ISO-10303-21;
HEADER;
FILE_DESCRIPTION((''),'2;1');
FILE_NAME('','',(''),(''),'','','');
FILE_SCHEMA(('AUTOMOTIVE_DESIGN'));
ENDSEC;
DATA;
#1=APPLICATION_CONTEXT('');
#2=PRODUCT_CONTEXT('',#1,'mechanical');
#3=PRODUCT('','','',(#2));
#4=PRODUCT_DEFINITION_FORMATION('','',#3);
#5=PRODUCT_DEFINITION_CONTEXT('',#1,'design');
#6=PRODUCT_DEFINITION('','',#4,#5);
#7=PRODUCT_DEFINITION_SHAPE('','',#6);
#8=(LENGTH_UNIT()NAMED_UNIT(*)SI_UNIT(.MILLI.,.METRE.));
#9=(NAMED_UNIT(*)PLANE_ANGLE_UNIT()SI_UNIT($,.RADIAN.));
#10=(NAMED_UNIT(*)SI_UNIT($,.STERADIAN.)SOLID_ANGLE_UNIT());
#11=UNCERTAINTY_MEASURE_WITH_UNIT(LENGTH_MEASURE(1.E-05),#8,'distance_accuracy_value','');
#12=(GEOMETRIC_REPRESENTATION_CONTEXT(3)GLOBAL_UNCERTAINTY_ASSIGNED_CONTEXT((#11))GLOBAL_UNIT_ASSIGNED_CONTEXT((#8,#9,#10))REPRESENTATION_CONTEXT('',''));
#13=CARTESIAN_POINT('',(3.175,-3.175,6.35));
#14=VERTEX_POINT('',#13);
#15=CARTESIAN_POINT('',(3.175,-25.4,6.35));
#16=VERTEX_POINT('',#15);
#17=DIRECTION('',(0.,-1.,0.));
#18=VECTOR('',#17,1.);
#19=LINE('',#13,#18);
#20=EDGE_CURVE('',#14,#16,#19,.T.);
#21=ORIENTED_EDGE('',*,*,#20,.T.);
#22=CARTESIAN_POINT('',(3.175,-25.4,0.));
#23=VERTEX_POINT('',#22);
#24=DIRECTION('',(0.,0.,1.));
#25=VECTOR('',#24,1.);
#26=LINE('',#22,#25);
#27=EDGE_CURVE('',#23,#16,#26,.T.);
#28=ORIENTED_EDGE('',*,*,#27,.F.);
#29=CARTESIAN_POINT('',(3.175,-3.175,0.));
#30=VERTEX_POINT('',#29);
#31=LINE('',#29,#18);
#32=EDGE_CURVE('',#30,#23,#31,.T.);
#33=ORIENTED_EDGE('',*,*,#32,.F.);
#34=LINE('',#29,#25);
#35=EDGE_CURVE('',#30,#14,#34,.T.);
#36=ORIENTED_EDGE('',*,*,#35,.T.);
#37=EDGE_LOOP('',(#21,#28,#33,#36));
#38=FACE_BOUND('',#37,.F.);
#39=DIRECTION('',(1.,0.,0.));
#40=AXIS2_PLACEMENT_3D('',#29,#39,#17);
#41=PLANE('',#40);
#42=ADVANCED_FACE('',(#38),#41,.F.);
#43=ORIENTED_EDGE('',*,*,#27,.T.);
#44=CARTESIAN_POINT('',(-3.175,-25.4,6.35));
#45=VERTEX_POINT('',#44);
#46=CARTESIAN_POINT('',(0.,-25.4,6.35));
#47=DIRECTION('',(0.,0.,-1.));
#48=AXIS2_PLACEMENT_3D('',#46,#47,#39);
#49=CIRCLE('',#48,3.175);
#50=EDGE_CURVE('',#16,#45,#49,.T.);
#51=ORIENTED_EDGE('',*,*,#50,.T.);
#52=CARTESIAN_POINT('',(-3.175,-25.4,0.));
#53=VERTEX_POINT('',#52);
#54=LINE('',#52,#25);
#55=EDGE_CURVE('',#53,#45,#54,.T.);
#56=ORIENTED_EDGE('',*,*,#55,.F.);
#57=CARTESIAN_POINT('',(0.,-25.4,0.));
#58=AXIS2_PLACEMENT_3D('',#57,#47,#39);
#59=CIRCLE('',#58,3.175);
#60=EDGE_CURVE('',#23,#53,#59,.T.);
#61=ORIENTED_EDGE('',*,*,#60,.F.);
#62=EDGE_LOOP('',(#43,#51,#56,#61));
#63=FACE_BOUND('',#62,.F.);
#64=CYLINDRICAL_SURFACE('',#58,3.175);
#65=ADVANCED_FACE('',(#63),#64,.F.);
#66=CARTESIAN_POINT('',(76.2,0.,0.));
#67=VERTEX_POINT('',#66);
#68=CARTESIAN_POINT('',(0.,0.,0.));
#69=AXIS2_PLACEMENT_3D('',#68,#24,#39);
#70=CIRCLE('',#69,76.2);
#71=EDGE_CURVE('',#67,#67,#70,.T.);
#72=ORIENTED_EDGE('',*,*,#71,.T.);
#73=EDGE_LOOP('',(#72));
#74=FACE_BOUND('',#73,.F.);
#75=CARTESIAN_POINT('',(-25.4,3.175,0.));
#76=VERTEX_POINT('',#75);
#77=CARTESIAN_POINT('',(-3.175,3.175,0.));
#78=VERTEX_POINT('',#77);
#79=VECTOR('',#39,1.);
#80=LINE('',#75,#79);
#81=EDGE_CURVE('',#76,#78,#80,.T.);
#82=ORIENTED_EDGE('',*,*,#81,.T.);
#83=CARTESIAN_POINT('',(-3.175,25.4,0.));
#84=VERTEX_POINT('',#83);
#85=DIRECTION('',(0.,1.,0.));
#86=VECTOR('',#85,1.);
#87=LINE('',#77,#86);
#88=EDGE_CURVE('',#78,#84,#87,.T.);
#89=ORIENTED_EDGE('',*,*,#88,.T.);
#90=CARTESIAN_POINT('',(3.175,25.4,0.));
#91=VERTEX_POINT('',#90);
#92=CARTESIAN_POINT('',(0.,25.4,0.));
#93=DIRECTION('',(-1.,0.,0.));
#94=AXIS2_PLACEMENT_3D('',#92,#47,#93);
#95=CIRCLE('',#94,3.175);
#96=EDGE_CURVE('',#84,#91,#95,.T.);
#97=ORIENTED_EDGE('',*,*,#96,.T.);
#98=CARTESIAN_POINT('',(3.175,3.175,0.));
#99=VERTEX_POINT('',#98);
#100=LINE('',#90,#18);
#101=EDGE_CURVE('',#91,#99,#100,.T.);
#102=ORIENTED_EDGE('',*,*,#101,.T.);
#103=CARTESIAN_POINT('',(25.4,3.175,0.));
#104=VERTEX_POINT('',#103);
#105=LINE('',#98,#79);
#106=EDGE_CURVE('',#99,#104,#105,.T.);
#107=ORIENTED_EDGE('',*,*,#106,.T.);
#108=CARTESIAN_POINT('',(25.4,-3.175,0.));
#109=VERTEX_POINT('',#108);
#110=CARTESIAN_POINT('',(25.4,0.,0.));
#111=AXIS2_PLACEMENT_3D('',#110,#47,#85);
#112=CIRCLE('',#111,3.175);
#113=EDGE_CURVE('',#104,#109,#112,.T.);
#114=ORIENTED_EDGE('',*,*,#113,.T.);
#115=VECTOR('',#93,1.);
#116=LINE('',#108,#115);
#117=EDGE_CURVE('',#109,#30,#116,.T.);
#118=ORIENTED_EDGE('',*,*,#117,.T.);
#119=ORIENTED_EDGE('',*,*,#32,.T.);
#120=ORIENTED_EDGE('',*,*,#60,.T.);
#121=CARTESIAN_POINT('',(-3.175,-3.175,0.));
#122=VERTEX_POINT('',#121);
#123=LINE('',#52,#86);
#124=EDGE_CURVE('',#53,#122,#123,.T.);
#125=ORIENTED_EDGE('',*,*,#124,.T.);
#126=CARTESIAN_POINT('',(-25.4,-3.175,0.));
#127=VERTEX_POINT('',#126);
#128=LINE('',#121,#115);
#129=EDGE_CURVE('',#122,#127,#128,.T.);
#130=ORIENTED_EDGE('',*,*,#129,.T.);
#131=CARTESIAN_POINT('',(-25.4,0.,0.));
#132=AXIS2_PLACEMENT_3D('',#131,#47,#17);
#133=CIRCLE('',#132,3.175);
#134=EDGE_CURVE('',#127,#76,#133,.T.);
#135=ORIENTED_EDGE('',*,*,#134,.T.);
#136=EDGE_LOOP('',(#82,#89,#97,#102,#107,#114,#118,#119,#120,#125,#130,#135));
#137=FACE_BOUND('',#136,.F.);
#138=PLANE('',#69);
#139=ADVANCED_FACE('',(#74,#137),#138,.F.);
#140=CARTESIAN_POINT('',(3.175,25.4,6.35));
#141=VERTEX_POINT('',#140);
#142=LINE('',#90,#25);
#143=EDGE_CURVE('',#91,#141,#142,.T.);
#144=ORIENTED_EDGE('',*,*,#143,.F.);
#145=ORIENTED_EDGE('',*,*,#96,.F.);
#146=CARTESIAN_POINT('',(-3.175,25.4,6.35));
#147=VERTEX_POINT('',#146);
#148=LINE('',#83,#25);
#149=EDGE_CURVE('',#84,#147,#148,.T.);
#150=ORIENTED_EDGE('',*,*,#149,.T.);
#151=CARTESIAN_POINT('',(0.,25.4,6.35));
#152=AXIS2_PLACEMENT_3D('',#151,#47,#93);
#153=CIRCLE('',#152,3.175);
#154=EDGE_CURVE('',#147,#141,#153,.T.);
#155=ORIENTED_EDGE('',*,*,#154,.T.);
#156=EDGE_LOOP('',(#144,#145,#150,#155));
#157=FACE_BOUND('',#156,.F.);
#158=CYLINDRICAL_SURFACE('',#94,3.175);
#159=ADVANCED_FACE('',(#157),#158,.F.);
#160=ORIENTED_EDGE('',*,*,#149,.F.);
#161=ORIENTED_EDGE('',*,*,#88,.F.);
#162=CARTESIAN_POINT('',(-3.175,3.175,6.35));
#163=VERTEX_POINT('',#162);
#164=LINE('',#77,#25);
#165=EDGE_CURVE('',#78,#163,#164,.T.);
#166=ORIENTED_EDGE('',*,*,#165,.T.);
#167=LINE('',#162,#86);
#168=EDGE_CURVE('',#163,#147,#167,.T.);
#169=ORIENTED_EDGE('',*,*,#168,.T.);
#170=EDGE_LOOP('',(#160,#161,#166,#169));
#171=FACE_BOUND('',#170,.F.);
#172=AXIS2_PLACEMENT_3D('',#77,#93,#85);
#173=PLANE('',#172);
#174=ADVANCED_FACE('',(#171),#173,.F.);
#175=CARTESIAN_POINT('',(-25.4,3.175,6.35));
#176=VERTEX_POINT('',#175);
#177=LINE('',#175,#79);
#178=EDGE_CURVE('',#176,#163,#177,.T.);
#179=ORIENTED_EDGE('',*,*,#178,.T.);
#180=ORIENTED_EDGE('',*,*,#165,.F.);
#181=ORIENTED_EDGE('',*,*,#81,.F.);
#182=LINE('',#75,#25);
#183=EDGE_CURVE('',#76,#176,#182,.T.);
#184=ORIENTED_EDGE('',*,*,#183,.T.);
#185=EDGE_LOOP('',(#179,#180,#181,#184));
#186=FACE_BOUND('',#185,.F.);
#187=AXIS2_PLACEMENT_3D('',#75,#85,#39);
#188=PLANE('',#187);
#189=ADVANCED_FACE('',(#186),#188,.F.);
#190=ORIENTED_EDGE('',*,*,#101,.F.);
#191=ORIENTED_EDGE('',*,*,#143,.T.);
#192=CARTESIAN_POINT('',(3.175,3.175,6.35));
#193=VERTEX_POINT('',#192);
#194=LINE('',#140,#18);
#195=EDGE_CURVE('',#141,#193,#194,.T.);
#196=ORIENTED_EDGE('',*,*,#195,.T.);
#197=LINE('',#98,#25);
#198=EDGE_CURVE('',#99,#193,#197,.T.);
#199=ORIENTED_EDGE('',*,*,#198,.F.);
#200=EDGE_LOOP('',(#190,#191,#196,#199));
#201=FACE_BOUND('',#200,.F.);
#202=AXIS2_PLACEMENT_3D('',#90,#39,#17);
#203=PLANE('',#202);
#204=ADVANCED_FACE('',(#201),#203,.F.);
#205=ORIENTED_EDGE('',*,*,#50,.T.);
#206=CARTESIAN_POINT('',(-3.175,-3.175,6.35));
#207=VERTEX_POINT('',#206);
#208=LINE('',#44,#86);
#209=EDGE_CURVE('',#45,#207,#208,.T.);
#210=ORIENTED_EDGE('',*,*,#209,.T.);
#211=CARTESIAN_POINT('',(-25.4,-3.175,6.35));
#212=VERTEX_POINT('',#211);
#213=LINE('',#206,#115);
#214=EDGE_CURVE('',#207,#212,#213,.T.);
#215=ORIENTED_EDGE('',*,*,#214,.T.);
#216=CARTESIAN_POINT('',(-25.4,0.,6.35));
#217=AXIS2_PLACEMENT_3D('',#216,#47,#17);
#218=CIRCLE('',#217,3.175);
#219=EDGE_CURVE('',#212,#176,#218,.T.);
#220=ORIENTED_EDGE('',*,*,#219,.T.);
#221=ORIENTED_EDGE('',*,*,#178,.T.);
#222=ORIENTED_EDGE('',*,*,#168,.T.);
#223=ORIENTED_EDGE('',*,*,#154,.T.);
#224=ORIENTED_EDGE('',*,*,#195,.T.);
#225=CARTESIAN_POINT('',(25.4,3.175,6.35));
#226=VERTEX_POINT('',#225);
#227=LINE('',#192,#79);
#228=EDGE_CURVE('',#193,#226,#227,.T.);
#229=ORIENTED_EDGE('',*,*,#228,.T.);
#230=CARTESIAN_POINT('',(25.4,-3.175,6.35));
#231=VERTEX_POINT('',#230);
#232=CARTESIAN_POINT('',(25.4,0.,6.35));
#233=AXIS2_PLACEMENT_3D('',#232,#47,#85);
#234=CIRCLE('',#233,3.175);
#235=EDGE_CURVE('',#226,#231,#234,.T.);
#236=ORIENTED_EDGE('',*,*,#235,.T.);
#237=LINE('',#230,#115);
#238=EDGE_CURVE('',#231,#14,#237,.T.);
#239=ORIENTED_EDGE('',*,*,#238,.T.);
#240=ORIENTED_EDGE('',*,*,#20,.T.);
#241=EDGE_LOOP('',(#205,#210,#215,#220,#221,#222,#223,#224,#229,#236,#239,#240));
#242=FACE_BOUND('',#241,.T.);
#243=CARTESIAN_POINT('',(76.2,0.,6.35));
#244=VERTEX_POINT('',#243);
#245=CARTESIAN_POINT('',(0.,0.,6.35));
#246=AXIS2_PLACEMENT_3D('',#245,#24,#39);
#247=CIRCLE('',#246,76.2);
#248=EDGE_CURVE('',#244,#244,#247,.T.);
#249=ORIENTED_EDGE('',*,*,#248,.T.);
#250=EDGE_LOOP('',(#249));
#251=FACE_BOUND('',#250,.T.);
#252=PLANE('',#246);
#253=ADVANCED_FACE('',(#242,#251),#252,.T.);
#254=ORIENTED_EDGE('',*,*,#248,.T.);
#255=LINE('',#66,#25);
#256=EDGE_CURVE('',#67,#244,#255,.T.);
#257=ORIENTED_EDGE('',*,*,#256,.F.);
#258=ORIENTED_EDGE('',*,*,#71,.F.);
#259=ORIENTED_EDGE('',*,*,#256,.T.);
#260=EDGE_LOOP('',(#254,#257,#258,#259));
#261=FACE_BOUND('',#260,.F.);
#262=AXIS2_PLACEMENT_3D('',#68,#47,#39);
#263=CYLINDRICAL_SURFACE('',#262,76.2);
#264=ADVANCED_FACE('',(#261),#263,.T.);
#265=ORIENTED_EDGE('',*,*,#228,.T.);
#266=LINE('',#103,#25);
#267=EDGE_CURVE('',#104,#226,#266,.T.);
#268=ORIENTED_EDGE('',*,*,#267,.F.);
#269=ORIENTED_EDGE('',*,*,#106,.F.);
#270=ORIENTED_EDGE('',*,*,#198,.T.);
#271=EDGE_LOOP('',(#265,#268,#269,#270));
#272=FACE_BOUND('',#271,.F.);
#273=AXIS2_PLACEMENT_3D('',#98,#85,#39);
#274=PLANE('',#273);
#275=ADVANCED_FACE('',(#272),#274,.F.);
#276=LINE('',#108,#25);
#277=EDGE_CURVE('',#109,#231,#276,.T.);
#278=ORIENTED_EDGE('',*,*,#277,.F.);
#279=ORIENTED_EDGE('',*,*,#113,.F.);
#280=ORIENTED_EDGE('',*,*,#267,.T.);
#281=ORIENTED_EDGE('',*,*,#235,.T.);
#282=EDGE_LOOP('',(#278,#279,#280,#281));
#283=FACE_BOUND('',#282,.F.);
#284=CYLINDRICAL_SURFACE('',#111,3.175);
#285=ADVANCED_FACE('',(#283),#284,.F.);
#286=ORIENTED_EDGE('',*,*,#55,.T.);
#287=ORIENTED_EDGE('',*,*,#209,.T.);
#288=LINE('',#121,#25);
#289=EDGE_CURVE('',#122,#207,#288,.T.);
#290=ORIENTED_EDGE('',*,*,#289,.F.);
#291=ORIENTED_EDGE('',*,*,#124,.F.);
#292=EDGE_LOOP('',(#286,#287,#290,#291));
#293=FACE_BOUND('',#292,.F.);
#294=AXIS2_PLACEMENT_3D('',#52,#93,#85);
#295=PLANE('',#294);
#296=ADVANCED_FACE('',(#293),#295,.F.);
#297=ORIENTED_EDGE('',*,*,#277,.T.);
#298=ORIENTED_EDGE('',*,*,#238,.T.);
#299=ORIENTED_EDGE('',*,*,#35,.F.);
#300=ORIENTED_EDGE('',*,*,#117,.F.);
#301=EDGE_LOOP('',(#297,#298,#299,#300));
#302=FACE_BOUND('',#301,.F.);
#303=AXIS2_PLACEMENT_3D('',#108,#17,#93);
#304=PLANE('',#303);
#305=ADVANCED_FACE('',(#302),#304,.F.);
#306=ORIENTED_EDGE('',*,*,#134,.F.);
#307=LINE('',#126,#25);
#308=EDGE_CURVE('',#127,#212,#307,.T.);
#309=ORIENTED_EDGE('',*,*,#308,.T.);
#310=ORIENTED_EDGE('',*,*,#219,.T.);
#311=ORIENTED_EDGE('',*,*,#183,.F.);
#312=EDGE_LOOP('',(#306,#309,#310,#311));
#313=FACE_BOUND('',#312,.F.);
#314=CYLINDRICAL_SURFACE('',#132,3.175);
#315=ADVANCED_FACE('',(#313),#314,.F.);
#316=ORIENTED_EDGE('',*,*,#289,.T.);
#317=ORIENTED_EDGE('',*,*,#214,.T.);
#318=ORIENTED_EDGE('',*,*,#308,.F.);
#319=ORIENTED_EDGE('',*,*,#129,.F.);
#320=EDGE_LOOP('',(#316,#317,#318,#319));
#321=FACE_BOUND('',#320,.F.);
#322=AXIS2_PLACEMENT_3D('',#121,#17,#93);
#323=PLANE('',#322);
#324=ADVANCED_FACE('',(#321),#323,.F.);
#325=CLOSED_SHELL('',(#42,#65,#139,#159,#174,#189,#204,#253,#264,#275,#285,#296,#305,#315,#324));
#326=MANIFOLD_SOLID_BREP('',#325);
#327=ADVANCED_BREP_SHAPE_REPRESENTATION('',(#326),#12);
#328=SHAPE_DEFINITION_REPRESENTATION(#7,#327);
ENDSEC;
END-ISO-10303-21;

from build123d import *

# Parameters (mm, degrees)
F0_R     = 76.2
F1_DEPTH = 6.35


with BuildPart() as f1:
    # F0 (on Top) → F1 (new body)
    with BuildSketch(Plane.XY):
        Circle(F0_R)
        with BuildLine():
            Line((-3.175, -25.4), (-3.175, -3.175))
            Line((-3.175, -3.175), (-25.4, -3.175))
            ThreePointArc((-25.4, -3.175), (-28.575, 0), (-25.4, 3.175))
            Line((-25.4, 3.175), (-3.175, 3.175))
            Line((-3.175, 3.175), (-3.175, 25.4))
            ThreePointArc((-3.175, 25.4), (0, 28.575), (3.175, 25.4))
            Line((3.175, 25.4), (3.175, 3.175))
            Line((3.175, 3.175), (25.4, 3.175))
            ThreePointArc((25.4, 3.175), (28.575, 0), (25.4, -3.175))
            Line((25.4, -3.175), (3.175, -3.175))
            Line((3.175, -3.175), (3.175, -25.4))
            ThreePointArc((3.175, -25.4), (0, -28.575), (-3.175, -25.4))
        make_face(mode=Mode.SUBTRACT)
    extrude(amount=F1_DEPTH)


solid = f1.part
